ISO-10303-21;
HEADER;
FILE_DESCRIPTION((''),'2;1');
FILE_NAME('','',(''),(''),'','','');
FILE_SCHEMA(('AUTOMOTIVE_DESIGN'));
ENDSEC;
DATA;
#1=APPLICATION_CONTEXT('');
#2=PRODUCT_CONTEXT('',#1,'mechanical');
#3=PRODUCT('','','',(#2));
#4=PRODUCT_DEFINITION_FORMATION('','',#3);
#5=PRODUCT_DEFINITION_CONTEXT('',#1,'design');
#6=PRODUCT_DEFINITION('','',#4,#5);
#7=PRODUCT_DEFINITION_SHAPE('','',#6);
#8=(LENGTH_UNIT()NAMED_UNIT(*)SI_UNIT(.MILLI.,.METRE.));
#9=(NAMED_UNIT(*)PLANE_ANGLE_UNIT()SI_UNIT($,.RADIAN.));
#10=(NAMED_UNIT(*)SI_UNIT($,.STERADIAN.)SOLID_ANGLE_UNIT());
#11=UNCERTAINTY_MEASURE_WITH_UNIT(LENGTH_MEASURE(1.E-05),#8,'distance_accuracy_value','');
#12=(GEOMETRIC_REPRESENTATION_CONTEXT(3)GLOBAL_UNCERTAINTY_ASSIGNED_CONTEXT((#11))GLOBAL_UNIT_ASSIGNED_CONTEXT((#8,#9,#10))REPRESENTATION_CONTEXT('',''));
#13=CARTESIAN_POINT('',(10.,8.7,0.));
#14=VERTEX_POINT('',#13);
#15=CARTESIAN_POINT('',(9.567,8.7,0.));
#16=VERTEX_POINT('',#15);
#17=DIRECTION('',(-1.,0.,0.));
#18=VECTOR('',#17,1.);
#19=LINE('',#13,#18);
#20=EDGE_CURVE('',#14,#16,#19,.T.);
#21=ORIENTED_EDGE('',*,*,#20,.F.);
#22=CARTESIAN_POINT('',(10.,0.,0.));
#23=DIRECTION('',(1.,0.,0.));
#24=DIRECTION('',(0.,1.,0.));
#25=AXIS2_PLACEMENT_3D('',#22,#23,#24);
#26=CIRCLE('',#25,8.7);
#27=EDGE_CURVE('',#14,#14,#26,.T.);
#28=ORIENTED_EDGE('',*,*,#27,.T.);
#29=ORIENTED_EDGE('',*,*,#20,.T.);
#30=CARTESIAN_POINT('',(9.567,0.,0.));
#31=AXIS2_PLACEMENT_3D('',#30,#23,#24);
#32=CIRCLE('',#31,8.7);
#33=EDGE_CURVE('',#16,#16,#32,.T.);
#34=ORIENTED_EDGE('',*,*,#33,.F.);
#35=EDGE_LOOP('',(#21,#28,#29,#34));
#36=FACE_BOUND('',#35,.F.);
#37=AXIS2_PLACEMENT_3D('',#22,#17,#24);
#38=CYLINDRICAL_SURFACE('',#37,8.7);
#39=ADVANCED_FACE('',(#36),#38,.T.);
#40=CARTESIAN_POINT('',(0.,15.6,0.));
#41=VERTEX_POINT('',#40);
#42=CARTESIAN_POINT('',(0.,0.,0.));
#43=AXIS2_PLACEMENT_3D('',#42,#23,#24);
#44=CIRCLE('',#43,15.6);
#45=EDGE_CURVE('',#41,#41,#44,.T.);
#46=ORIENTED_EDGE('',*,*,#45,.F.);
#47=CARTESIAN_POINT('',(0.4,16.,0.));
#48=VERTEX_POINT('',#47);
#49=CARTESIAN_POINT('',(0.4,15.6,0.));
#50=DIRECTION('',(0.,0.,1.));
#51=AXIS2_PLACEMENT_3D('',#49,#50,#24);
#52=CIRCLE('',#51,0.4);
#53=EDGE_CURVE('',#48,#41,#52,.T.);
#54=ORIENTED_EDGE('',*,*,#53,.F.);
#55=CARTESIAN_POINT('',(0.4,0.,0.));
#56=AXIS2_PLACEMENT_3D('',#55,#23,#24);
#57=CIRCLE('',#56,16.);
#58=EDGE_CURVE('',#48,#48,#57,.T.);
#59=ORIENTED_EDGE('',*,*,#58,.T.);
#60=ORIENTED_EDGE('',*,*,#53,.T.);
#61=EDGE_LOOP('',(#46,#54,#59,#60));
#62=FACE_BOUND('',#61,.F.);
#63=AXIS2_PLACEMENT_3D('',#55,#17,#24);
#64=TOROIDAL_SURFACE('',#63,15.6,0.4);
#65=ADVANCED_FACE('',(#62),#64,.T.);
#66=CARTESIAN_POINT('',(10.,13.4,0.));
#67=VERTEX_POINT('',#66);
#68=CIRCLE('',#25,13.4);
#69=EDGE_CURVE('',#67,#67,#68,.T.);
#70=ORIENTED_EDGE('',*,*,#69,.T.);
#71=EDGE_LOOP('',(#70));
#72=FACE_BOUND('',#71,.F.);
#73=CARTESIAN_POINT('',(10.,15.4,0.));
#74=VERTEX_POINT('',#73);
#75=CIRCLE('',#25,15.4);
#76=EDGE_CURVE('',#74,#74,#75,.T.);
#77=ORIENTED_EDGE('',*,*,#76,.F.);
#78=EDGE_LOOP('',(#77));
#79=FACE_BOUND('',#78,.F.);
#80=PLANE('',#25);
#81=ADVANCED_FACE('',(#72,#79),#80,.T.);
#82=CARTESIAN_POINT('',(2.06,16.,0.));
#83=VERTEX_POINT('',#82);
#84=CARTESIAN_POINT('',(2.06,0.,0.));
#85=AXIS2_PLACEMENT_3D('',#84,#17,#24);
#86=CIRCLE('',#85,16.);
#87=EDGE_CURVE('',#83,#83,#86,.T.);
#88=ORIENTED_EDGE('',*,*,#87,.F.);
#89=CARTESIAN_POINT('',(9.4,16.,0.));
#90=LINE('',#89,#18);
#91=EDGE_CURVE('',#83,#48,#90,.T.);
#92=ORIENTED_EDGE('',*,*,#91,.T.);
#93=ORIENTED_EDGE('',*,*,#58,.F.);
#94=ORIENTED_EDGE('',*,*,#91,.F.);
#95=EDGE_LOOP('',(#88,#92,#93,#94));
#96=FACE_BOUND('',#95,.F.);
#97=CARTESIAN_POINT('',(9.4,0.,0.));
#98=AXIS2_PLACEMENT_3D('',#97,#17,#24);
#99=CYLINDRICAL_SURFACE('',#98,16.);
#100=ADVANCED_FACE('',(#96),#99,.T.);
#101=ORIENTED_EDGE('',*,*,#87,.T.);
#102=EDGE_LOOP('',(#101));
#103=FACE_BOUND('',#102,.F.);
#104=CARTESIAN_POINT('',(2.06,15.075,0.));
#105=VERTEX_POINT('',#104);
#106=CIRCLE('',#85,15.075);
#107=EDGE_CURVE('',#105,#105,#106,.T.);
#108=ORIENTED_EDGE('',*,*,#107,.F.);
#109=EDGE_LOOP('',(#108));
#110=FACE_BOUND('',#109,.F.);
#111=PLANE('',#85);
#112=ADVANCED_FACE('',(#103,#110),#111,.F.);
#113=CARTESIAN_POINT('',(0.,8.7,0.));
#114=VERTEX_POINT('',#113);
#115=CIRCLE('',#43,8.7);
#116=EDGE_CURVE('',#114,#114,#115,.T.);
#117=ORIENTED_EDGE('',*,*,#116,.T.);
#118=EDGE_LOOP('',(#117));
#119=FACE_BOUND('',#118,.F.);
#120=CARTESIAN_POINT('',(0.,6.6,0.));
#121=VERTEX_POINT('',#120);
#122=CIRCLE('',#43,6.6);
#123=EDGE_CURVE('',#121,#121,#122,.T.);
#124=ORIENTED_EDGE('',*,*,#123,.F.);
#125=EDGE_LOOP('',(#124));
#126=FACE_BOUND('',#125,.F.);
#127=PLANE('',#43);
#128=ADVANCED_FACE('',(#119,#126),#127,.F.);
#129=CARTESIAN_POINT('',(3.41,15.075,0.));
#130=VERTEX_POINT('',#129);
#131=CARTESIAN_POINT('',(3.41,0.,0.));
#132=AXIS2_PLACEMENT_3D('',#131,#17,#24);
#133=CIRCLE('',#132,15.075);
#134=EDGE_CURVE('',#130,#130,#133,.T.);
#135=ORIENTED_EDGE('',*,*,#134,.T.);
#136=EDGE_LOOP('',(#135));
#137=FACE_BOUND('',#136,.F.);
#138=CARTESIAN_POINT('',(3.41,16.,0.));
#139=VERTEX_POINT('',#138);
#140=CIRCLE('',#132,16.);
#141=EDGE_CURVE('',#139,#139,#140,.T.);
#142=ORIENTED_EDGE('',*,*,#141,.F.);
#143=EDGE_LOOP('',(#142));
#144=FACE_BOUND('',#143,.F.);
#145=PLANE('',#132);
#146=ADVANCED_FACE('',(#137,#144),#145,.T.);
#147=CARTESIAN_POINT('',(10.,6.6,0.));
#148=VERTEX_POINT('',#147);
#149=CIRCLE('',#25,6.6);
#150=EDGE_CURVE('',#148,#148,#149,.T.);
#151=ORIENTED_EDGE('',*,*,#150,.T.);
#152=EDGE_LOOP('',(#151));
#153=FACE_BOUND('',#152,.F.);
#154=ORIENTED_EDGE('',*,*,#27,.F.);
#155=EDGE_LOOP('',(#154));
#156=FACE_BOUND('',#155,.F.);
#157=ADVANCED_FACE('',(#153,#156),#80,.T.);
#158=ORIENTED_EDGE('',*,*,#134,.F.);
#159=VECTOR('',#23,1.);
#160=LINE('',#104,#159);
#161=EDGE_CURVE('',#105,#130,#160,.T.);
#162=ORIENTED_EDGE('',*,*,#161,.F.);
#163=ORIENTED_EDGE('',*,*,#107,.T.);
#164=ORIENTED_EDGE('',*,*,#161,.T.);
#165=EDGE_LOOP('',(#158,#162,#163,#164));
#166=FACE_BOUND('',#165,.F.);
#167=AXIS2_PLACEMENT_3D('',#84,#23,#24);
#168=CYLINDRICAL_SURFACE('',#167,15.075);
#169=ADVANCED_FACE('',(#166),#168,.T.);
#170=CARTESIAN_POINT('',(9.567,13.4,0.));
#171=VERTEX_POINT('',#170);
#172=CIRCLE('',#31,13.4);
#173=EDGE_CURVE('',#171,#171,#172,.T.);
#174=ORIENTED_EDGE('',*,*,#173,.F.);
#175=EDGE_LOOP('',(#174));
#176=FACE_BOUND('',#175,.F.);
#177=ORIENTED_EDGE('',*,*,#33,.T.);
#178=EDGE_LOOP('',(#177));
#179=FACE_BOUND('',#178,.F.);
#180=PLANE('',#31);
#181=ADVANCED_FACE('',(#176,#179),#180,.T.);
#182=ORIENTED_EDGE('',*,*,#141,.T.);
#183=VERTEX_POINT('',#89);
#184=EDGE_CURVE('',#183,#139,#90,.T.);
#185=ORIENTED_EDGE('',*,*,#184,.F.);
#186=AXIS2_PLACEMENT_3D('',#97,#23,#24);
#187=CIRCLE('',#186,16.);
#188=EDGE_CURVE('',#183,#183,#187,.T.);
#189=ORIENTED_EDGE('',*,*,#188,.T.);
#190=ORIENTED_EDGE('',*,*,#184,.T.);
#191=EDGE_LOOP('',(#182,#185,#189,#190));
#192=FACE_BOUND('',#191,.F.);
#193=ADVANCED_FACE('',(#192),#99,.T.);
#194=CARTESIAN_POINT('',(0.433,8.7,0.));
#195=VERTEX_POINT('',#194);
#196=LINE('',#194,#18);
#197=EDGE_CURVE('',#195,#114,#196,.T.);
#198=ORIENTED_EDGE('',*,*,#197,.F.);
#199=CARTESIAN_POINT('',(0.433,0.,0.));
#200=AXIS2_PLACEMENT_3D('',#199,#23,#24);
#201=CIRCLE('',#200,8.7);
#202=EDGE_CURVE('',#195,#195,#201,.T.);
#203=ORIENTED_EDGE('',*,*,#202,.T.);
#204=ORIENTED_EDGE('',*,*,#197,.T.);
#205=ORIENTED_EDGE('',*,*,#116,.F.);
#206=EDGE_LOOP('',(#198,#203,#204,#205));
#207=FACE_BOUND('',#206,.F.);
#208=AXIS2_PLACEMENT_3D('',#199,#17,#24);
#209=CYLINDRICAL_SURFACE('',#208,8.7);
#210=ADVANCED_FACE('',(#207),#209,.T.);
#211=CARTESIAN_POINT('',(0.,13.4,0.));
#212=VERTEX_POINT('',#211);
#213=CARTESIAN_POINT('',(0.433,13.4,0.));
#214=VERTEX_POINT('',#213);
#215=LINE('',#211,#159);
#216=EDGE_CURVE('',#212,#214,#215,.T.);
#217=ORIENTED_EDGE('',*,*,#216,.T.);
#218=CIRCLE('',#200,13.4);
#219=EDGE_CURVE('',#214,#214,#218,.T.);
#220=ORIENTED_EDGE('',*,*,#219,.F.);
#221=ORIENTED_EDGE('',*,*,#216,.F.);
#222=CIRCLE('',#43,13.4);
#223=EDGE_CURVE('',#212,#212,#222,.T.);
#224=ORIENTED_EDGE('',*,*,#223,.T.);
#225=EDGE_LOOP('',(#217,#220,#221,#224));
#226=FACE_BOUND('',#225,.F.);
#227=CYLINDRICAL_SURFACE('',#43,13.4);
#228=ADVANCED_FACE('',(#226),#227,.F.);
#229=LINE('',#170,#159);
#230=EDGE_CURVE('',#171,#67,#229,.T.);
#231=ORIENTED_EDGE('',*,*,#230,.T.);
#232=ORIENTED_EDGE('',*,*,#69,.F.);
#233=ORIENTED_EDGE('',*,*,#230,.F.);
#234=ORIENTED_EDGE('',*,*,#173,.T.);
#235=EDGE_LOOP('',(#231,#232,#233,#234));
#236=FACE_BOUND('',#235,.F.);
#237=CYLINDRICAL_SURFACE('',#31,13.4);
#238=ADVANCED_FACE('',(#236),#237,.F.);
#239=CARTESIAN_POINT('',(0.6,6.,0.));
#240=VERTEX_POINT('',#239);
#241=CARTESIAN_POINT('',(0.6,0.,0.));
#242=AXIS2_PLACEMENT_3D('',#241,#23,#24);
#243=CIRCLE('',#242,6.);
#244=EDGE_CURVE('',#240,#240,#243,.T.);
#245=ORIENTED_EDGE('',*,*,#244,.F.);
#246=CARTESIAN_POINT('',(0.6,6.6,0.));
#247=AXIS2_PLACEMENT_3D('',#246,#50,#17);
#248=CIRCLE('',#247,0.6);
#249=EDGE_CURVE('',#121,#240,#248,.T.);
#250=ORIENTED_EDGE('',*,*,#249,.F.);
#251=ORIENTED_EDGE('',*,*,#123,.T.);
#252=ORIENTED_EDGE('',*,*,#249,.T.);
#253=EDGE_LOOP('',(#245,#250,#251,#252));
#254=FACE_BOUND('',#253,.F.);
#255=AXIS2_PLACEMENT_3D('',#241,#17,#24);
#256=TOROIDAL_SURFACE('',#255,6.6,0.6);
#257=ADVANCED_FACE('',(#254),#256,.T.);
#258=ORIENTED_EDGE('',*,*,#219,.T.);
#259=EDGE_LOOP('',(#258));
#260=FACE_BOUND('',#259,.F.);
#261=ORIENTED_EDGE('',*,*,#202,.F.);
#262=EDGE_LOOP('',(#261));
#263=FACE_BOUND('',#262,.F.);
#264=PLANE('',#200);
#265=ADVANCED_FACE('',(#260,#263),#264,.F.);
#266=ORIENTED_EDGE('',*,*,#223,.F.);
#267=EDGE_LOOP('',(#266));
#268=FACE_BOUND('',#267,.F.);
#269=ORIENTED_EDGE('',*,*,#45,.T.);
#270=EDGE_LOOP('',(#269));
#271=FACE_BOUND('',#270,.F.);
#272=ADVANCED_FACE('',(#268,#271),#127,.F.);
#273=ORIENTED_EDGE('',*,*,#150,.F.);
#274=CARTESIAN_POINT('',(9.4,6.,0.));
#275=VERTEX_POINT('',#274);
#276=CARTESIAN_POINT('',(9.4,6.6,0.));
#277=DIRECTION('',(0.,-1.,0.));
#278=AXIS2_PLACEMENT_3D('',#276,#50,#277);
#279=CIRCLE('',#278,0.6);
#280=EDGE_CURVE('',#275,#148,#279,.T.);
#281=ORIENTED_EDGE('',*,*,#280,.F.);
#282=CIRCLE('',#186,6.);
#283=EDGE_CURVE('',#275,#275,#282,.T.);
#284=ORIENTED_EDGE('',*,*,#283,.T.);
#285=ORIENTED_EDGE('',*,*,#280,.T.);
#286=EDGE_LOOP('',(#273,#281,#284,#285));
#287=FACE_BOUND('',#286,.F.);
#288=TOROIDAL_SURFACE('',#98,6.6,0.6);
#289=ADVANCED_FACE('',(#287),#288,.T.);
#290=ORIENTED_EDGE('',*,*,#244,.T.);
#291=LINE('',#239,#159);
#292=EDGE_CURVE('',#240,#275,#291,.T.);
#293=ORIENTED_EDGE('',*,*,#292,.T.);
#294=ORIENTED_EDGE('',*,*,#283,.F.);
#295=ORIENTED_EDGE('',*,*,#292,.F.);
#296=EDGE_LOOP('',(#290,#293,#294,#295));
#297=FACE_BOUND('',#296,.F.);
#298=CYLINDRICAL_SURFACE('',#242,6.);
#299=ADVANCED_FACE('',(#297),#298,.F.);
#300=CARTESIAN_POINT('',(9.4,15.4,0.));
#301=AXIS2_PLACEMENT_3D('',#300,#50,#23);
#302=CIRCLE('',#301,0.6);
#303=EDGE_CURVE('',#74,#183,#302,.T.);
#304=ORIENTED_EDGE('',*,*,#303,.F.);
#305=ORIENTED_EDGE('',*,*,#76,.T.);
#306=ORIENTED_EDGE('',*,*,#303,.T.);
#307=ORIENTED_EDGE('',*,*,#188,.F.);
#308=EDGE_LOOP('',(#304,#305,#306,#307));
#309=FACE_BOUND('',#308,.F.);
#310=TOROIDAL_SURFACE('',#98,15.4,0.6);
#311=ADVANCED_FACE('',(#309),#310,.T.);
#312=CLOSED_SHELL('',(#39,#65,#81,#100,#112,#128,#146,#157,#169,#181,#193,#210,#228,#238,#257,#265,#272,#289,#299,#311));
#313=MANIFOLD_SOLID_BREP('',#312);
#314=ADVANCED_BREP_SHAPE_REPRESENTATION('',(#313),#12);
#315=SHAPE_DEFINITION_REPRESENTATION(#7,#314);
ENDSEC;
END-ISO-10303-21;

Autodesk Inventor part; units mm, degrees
sketch "Sketch_1" plane through (0, 0, 0) normal (0, 0, 1) x (1, 0, 0)
  line L0 (10, 0) -> (0, 0)
  arc A0 (0, 6.6) -> (0.6, 6) centre (0.6, 6.6) ccw
  line L1 (0.6, 6) -> (9.4, 6)
  arc A1 (9.4, 6) -> (10, 6.6) centre (9.4, 6.6) ccw
  line L2 (10, 6.6) -> (10, 8.7)
  line L3 (10, 8.7) -> (9.567, 8.7)
  line L4 (9.567, 8.7) -> (9.567, 13.4)
  line L5 (9.567, 13.4) -> (10, 13.4)
  line L6 (10, 13.4) -> (10, 15.4)
  arc A2 (10, 15.4) -> (9.4, 16) centre (9.4, 15.4) ccw
  line L7 (9.4, 16) -> (0.4, 16)
  arc A3 (0.4, 16) -> (0, 15.6) centre (0.4, 15.6) ccw
  line L8 (0, 15.6) -> (0, 13.4)
  line L9 (0, 13.4) -> (0.433, 13.4)
  line L10 (0.433, 13.4) -> (0.433, 8.7)
  line L11 (0.433, 8.7) -> (0, 8.7)
  line L12 (0, 8.7) -> (0, 6.6)
revolve "Revolution1" add sketch "Sketch_1" angle 360 about axis through (10, 0, 0) along (1, 0, 0)
sketch "Sketch_4" plane through (0, 0, 0) normal (0, 0, 1) x (1, 0, 0)
  line L0 (3.41, 0) -> (2.06, 0)
  line L1 (2.06, 20.075) -> (2.06, 15.075)
  line L2 (2.06, 15.075) -> (3.41, 15.075)
  line L3 (3.41, 15.075) -> (3.41, 20.075)
  line L4 (3.41, 20.075) -> (2.06, 20.075)
revolve "Revolution2" cut sketch "Sketch_4" angle 360 about axis through (3.41, 0, 0) along (-1, 0, 0)
ref_plane "center_point_XY" through (5, 0, 0) normal (1, 0, 0) x (0, 0, -1)
ref_plane "center_point_YZ" through (5, 0, 0) normal (0, 0, -1) x (0, 1, 0)
ref_plane "center_point_ZX" through (5, 0, 0) normal (0, 1, 0) x (1, 0, 0)
ref_plane "to_housing_XY" through (0, 0, 0) normal (1, 0, 0) x (0, 0, -1)
ref_plane "to_housing_YZ" through (0, 0, 0) normal (0, 0, -1) x (0, 1, 0)
ref_plane "to_housing_ZX" through (0, 0, 0) normal (0, 1, 0) x (1, 0, 0)
ref_plane "to_ring_XY" through (2.06, 0, 0) normal (1, 0, 0) x (0, 0, -1)
ref_plane "to_ring_YZ" through (2.06, 0, 0) normal (0, 0, -1) x (0, 1, 0)
ref_plane "to_ring_ZX" through (2.06, 0, 0) normal (0, 1, 0) x (1, 0, 0)
properties part number "bearingB6201ZZNR"
